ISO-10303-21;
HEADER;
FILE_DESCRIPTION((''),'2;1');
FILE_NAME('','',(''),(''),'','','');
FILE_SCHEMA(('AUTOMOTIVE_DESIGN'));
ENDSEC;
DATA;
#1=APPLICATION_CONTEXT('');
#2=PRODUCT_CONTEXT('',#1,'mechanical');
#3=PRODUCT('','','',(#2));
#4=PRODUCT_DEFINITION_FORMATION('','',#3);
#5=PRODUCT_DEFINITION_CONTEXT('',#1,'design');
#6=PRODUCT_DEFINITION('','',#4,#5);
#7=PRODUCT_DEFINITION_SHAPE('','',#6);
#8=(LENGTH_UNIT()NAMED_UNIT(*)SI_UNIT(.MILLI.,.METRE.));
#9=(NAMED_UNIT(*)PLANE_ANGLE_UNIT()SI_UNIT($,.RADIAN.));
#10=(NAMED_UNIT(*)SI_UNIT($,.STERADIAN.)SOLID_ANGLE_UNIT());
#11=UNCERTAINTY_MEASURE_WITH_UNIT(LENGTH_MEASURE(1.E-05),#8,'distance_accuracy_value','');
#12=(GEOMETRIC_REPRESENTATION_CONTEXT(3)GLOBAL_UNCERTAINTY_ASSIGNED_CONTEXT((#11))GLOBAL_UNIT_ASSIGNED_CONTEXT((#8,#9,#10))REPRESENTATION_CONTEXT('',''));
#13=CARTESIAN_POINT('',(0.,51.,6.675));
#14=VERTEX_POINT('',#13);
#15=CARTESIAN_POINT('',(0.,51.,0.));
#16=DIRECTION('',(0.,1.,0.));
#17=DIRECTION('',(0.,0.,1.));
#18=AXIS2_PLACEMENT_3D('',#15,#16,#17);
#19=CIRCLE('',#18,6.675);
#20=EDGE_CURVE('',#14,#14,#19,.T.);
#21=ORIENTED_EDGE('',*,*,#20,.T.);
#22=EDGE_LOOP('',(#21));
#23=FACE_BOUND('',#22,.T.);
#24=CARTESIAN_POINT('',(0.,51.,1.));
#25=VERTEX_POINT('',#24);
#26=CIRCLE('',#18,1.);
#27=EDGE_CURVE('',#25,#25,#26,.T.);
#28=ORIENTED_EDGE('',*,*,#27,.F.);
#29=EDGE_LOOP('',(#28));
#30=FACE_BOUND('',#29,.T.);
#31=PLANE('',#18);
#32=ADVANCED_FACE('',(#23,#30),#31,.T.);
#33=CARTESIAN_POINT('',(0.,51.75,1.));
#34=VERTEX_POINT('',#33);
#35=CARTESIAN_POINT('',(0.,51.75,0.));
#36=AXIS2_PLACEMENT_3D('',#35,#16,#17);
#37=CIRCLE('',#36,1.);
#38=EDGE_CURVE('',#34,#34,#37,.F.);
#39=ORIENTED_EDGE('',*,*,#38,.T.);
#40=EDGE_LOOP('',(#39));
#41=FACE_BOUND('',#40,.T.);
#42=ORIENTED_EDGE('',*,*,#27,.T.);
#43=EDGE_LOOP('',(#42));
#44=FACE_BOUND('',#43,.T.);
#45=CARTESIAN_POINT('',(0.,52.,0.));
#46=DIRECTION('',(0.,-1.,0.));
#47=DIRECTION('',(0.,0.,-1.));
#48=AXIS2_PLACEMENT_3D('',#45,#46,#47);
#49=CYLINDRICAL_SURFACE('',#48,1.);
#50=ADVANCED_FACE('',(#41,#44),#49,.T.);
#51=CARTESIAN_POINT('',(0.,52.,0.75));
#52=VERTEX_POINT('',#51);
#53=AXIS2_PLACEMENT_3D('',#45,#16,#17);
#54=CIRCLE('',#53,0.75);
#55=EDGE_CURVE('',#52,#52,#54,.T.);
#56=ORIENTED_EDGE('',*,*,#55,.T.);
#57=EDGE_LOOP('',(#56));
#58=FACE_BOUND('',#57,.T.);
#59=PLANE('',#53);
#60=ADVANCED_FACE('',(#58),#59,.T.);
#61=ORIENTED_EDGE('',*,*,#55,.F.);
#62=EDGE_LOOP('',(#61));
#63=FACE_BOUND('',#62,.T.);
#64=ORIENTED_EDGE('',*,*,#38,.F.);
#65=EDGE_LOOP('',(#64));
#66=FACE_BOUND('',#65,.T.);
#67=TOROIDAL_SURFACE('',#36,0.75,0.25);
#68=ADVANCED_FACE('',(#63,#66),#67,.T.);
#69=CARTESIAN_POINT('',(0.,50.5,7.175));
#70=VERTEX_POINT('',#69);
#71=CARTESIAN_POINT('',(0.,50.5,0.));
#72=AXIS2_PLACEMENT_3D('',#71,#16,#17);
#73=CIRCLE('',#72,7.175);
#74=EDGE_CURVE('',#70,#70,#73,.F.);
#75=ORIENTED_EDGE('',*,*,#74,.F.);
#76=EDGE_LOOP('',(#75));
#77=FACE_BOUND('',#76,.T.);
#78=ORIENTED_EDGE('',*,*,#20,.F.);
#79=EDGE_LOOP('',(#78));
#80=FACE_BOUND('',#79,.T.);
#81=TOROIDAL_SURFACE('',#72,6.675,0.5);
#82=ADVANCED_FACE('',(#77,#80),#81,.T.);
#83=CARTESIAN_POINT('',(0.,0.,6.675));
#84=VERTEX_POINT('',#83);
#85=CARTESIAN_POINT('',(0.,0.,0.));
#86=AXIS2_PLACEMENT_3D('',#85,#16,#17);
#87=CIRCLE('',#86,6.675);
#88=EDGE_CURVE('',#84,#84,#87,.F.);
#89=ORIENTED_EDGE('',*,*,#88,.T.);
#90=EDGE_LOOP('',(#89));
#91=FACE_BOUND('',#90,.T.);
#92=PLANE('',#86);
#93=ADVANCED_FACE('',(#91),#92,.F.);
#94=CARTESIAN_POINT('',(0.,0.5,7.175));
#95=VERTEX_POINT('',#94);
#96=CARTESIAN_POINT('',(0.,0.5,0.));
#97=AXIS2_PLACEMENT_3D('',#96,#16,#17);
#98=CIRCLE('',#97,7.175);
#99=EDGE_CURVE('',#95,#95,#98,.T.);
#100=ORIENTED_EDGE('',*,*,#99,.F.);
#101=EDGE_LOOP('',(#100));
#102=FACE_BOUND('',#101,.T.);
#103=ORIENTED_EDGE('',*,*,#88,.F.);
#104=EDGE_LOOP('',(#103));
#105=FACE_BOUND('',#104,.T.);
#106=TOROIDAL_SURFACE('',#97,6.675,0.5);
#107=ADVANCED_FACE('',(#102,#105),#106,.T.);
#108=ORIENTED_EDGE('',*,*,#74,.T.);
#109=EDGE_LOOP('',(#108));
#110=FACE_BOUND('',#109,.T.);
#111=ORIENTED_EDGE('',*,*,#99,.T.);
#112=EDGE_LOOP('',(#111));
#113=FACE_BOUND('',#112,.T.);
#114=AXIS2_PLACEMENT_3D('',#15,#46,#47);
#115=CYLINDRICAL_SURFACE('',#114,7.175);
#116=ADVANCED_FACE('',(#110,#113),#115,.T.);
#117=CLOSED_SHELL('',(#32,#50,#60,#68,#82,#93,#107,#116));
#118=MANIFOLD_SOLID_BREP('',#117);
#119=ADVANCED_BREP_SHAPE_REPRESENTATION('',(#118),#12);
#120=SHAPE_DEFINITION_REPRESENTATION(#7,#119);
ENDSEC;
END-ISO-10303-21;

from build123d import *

# Parameters (mm, degrees)
SKETCH1_R           = 7.175
BOSS_EXTRUDE1_DEPTH = 51
FILLET1_R           = 0.5
SKETCH2_R           = 1
BOSS_EXTRUDE2_DEPTH = 1
FILLET2_R           = 0.25


with BuildPart() as part:
    # Sketch1 → Boss-Extrude1 (new body)
    with BuildSketch(Plane(origin=(0, 0, 0), x_dir=(1, 0, 0), z_dir=(0, 1, 0))):
        Circle(SKETCH1_R)
    extrude(amount=BOSS_EXTRUDE1_DEPTH)

    # Fillet1
    fillet1_edges = [part.edges().sort_by_distance(p)[0] for p in [
        (-7.175, 0, 0),
        (-7.175, 51, 0),
    ]]
    fillet(fillet1_edges, radius=FILLET1_R)

    # Sketch2 → Boss-Extrude2 (add)
    with BuildSketch(Plane(origin=(0, 51, 0), x_dir=(1, 0, 0), z_dir=(0, 1, 0))):
        Circle(SKETCH2_R)
    extrude(amount=BOSS_EXTRUDE2_DEPTH)

    # Fillet2
    fillet2_edges = [part.edges().sort_by_distance(p)[0] for p in [
        (-1, 52, 0),
    ]]
    fillet(fillet2_edges, radius=FILLET2_R)


solid = part.part
